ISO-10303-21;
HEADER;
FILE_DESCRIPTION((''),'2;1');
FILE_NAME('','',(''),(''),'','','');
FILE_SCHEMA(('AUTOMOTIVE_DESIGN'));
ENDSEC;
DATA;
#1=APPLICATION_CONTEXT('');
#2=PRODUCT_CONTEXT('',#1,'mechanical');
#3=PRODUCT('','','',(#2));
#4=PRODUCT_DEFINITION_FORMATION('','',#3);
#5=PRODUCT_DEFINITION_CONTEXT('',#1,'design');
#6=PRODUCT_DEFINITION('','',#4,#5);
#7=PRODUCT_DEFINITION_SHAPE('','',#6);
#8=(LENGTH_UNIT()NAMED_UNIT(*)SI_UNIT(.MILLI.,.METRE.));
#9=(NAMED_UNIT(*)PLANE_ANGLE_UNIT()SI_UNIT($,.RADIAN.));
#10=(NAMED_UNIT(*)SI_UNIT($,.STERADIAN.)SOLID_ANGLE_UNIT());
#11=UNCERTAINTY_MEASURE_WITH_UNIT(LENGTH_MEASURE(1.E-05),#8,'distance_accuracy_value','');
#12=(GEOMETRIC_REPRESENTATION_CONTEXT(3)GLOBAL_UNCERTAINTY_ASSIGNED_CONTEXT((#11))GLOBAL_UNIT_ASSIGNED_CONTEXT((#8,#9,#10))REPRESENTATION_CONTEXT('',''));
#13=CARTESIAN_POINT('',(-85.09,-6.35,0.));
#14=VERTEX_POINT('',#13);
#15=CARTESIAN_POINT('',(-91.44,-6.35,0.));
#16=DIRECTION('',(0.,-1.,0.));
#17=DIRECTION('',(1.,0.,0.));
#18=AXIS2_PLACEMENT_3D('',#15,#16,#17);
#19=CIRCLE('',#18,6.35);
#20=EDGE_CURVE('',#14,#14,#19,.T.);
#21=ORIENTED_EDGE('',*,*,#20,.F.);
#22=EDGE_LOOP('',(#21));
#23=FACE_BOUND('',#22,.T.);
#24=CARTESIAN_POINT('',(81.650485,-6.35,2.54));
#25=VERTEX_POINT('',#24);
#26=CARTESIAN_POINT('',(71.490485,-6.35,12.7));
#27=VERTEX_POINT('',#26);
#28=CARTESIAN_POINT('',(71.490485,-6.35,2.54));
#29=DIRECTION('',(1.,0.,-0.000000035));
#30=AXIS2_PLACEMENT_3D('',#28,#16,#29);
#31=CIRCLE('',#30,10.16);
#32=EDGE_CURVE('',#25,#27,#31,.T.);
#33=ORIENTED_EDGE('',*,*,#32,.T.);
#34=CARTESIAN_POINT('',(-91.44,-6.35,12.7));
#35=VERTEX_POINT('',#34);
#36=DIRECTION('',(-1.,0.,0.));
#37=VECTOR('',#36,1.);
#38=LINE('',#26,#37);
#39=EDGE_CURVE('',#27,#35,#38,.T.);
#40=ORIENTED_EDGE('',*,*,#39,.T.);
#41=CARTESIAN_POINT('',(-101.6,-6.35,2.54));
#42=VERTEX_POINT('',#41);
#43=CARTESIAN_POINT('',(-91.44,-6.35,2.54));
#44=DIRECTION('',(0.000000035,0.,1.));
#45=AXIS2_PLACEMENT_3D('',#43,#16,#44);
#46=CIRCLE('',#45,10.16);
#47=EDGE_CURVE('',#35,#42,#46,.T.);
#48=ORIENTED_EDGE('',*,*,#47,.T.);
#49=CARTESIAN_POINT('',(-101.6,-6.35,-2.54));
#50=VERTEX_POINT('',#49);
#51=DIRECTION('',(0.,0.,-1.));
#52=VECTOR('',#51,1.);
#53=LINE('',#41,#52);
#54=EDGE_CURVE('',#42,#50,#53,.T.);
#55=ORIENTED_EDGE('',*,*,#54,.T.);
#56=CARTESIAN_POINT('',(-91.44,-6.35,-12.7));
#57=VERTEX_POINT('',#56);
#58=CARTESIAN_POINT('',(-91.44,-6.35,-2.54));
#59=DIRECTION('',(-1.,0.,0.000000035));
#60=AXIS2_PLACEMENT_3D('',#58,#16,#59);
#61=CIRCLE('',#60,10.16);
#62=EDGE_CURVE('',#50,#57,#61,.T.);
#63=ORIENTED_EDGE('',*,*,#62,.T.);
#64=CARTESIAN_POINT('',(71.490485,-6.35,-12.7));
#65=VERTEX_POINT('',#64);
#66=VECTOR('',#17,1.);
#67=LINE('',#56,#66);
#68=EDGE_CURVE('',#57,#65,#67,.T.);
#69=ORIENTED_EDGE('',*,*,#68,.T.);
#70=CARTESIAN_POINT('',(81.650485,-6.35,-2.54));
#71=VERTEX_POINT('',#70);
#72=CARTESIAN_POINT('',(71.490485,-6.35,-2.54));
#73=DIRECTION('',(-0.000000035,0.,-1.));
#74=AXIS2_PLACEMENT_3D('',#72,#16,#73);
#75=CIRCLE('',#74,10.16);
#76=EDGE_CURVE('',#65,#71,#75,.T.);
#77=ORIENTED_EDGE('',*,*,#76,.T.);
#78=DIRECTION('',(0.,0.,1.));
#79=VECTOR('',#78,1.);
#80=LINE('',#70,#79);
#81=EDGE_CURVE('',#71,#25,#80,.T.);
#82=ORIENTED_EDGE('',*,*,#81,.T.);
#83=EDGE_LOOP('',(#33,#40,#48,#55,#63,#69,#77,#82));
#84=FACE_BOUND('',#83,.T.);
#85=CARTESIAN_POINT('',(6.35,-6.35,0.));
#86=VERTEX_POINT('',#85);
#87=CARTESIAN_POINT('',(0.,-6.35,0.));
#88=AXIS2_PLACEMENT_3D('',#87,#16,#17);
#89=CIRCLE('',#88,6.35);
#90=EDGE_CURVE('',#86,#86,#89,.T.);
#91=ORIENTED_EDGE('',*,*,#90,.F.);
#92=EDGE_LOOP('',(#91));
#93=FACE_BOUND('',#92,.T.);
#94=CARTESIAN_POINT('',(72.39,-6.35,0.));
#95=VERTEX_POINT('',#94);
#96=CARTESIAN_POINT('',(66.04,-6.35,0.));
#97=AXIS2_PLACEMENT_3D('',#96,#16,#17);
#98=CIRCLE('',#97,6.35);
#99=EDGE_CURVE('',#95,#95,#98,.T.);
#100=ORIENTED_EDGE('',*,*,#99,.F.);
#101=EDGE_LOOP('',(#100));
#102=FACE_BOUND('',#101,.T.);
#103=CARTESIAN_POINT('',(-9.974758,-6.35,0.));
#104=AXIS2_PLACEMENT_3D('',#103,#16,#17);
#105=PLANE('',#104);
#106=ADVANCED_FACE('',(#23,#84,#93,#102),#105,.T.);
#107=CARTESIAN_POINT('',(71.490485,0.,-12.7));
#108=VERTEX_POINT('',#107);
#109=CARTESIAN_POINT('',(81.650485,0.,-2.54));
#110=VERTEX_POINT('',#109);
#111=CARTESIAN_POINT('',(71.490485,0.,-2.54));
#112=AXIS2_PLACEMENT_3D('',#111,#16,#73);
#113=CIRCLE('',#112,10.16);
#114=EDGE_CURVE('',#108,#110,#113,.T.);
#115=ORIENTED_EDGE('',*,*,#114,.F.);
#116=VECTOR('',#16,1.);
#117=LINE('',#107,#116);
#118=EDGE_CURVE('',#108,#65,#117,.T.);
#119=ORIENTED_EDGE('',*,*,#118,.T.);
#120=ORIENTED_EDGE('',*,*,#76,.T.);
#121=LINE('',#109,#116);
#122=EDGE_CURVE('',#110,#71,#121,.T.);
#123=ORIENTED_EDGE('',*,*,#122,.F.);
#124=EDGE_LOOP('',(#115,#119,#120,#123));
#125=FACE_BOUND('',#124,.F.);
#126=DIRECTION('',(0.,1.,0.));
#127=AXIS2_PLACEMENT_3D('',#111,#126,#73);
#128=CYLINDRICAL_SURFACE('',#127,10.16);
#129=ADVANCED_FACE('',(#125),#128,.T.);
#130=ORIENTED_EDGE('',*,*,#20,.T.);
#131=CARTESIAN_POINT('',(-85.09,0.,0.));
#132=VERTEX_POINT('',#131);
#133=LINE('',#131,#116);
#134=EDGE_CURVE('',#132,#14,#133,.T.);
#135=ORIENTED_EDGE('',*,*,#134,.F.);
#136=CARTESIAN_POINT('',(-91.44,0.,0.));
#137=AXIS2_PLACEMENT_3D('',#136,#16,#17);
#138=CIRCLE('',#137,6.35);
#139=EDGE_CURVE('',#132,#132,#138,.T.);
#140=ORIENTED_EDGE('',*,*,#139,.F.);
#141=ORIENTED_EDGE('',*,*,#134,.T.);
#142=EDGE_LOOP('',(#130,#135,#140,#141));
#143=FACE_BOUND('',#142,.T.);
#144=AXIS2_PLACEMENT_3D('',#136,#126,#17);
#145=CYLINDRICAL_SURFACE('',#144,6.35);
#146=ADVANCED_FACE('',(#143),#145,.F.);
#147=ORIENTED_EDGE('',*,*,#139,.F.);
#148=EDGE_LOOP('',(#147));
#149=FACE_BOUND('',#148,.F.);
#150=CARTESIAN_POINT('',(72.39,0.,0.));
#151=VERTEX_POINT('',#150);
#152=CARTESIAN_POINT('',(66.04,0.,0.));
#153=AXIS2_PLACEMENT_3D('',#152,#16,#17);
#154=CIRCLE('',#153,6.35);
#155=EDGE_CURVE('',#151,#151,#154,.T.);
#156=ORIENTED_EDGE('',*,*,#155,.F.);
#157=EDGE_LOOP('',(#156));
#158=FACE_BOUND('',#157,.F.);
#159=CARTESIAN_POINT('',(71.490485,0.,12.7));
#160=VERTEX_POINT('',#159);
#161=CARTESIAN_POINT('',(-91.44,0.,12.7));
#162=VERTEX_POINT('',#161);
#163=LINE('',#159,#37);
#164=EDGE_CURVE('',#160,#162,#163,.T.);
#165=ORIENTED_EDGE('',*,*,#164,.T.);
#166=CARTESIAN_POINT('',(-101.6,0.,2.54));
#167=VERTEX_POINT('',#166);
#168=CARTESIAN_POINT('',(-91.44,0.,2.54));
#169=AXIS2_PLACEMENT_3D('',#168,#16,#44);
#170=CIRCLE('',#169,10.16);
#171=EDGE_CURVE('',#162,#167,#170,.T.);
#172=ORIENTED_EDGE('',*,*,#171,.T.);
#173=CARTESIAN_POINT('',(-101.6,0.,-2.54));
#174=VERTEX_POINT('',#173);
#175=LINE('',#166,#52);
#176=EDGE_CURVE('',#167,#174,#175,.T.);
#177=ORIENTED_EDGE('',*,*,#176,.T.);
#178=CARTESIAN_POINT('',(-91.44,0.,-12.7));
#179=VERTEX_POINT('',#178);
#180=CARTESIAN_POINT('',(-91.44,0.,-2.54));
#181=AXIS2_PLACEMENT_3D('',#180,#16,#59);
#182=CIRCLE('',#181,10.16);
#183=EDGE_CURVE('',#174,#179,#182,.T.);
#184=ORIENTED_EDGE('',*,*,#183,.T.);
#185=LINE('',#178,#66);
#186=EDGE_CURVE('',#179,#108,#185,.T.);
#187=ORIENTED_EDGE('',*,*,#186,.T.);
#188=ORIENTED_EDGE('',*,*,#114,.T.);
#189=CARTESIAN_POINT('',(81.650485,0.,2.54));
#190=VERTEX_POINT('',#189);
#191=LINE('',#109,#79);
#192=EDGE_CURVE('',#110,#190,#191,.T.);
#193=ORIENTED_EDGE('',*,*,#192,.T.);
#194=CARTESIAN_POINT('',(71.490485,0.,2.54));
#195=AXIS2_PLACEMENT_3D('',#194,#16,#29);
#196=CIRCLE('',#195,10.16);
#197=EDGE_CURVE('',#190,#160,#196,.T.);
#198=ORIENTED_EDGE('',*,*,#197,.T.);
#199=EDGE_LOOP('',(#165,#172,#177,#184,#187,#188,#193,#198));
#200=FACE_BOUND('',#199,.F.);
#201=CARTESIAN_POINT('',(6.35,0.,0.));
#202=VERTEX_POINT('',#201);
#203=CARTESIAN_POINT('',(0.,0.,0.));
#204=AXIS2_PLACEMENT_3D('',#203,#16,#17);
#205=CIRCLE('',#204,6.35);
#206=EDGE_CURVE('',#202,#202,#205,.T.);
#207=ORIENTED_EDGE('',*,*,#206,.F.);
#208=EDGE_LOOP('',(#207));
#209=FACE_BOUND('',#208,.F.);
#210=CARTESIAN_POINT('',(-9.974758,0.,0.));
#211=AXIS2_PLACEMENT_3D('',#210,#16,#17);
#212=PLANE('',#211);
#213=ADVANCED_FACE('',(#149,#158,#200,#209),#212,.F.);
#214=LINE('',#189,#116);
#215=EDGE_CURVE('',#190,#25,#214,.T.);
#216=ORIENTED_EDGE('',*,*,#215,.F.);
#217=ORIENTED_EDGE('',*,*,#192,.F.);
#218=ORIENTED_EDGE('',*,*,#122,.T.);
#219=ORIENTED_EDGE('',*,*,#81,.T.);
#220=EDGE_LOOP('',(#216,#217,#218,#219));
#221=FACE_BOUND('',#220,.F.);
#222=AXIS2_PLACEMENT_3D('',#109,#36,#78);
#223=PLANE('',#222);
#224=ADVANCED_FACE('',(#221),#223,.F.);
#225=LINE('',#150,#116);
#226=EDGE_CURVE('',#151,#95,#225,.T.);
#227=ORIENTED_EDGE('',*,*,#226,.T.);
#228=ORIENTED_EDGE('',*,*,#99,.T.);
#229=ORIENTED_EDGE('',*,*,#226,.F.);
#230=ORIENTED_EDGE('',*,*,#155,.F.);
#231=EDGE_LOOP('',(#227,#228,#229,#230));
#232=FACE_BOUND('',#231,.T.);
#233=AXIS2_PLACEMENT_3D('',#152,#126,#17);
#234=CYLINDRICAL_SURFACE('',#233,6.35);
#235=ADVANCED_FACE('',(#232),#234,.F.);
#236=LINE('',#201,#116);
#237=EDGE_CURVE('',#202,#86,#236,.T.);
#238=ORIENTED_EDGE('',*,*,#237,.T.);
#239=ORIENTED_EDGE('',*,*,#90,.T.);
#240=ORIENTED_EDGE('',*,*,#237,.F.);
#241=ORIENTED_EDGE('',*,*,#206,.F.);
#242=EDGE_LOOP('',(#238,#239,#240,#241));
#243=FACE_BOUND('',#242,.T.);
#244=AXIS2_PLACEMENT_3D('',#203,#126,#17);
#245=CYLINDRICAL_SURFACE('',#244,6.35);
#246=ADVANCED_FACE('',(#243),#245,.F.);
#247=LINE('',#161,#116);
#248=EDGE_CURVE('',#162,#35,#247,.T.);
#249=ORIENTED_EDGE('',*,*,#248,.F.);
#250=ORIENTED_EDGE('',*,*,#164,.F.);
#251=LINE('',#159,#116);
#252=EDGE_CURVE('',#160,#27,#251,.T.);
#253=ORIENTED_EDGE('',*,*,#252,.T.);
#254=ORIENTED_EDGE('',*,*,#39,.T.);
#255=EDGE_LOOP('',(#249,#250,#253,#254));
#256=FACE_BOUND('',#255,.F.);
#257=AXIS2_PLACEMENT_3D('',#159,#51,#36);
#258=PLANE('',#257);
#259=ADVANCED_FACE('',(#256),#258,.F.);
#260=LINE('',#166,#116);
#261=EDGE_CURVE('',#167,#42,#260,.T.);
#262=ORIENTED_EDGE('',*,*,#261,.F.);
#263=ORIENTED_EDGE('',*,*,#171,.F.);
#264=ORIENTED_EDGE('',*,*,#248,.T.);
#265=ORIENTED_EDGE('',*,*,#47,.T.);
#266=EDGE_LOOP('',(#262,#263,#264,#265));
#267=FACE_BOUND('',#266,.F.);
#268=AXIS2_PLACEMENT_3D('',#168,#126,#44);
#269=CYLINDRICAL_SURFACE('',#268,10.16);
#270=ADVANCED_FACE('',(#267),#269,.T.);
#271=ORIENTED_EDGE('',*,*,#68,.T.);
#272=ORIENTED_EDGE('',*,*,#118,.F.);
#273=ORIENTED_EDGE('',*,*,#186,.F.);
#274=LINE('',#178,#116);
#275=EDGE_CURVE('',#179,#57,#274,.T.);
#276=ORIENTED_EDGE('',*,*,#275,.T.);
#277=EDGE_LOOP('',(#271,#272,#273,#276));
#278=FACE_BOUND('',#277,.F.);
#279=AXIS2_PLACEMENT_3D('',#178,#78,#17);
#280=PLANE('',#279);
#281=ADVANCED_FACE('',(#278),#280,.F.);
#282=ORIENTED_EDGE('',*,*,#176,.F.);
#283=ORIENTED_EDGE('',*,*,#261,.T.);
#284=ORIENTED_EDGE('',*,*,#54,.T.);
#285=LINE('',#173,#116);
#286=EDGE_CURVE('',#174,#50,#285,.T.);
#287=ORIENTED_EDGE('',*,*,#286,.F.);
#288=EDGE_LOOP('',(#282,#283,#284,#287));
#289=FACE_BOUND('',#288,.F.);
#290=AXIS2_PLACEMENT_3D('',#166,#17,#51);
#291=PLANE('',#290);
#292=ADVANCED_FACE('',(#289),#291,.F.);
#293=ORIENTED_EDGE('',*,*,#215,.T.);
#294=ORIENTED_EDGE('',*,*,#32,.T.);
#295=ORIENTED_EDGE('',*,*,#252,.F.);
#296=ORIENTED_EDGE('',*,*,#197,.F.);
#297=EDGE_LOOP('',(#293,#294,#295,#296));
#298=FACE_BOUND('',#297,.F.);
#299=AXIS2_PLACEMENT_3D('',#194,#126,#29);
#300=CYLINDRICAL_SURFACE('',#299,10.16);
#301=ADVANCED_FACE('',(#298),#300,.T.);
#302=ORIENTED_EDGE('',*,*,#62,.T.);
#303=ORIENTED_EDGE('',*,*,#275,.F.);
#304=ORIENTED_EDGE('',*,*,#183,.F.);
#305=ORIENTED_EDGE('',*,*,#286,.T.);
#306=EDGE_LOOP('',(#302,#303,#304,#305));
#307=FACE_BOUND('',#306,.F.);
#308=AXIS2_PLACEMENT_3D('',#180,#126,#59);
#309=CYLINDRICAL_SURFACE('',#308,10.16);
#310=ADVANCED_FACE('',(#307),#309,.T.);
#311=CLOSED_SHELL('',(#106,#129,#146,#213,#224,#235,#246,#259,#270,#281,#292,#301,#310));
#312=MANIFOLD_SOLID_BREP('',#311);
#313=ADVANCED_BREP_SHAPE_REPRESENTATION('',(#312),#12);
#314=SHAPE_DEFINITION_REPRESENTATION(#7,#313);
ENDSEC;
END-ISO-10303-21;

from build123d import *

# Parameters (mm, degrees)
F0_R     = 6.35
F1_DEPTH = 6.35


with BuildPart() as f1:
    # F0 (on Front) → F1 (new body)
    with BuildSketch(Plane.XZ):
        with BuildLine():
            ThreePointArc((81.650485, 2.54), (78.67469, 9.724205), (71.490485, 12.7))
            Line((71.490485, 12.7), (-91.44, 12.7))
            ThreePointArc((-91.44, 12.7), (-98.624205, 9.724205), (-101.6, 2.54))
            Line((-101.6, 2.54), (-101.6, -2.54))
            ThreePointArc((-101.6, -2.54), (-98.624205, -9.724205), (-91.44, -12.7))
            Line((-91.44, -12.7), (71.490485, -12.7))
            ThreePointArc((71.490485, -12.7), (78.67469, -9.724205), (81.650485, -2.54))
            Line((81.650485, -2.54), (81.650485, 2.54))
        make_face()
        with Locations((-91.44, 0)):
            Circle(F0_R, mode=Mode.SUBTRACT)
        Circle(F0_R, mode=Mode.SUBTRACT)
        with Locations((66.04, 0)):
            Circle(F0_R, mode=Mode.SUBTRACT)
    extrude(amount=F1_DEPTH)


solid = f1.part
